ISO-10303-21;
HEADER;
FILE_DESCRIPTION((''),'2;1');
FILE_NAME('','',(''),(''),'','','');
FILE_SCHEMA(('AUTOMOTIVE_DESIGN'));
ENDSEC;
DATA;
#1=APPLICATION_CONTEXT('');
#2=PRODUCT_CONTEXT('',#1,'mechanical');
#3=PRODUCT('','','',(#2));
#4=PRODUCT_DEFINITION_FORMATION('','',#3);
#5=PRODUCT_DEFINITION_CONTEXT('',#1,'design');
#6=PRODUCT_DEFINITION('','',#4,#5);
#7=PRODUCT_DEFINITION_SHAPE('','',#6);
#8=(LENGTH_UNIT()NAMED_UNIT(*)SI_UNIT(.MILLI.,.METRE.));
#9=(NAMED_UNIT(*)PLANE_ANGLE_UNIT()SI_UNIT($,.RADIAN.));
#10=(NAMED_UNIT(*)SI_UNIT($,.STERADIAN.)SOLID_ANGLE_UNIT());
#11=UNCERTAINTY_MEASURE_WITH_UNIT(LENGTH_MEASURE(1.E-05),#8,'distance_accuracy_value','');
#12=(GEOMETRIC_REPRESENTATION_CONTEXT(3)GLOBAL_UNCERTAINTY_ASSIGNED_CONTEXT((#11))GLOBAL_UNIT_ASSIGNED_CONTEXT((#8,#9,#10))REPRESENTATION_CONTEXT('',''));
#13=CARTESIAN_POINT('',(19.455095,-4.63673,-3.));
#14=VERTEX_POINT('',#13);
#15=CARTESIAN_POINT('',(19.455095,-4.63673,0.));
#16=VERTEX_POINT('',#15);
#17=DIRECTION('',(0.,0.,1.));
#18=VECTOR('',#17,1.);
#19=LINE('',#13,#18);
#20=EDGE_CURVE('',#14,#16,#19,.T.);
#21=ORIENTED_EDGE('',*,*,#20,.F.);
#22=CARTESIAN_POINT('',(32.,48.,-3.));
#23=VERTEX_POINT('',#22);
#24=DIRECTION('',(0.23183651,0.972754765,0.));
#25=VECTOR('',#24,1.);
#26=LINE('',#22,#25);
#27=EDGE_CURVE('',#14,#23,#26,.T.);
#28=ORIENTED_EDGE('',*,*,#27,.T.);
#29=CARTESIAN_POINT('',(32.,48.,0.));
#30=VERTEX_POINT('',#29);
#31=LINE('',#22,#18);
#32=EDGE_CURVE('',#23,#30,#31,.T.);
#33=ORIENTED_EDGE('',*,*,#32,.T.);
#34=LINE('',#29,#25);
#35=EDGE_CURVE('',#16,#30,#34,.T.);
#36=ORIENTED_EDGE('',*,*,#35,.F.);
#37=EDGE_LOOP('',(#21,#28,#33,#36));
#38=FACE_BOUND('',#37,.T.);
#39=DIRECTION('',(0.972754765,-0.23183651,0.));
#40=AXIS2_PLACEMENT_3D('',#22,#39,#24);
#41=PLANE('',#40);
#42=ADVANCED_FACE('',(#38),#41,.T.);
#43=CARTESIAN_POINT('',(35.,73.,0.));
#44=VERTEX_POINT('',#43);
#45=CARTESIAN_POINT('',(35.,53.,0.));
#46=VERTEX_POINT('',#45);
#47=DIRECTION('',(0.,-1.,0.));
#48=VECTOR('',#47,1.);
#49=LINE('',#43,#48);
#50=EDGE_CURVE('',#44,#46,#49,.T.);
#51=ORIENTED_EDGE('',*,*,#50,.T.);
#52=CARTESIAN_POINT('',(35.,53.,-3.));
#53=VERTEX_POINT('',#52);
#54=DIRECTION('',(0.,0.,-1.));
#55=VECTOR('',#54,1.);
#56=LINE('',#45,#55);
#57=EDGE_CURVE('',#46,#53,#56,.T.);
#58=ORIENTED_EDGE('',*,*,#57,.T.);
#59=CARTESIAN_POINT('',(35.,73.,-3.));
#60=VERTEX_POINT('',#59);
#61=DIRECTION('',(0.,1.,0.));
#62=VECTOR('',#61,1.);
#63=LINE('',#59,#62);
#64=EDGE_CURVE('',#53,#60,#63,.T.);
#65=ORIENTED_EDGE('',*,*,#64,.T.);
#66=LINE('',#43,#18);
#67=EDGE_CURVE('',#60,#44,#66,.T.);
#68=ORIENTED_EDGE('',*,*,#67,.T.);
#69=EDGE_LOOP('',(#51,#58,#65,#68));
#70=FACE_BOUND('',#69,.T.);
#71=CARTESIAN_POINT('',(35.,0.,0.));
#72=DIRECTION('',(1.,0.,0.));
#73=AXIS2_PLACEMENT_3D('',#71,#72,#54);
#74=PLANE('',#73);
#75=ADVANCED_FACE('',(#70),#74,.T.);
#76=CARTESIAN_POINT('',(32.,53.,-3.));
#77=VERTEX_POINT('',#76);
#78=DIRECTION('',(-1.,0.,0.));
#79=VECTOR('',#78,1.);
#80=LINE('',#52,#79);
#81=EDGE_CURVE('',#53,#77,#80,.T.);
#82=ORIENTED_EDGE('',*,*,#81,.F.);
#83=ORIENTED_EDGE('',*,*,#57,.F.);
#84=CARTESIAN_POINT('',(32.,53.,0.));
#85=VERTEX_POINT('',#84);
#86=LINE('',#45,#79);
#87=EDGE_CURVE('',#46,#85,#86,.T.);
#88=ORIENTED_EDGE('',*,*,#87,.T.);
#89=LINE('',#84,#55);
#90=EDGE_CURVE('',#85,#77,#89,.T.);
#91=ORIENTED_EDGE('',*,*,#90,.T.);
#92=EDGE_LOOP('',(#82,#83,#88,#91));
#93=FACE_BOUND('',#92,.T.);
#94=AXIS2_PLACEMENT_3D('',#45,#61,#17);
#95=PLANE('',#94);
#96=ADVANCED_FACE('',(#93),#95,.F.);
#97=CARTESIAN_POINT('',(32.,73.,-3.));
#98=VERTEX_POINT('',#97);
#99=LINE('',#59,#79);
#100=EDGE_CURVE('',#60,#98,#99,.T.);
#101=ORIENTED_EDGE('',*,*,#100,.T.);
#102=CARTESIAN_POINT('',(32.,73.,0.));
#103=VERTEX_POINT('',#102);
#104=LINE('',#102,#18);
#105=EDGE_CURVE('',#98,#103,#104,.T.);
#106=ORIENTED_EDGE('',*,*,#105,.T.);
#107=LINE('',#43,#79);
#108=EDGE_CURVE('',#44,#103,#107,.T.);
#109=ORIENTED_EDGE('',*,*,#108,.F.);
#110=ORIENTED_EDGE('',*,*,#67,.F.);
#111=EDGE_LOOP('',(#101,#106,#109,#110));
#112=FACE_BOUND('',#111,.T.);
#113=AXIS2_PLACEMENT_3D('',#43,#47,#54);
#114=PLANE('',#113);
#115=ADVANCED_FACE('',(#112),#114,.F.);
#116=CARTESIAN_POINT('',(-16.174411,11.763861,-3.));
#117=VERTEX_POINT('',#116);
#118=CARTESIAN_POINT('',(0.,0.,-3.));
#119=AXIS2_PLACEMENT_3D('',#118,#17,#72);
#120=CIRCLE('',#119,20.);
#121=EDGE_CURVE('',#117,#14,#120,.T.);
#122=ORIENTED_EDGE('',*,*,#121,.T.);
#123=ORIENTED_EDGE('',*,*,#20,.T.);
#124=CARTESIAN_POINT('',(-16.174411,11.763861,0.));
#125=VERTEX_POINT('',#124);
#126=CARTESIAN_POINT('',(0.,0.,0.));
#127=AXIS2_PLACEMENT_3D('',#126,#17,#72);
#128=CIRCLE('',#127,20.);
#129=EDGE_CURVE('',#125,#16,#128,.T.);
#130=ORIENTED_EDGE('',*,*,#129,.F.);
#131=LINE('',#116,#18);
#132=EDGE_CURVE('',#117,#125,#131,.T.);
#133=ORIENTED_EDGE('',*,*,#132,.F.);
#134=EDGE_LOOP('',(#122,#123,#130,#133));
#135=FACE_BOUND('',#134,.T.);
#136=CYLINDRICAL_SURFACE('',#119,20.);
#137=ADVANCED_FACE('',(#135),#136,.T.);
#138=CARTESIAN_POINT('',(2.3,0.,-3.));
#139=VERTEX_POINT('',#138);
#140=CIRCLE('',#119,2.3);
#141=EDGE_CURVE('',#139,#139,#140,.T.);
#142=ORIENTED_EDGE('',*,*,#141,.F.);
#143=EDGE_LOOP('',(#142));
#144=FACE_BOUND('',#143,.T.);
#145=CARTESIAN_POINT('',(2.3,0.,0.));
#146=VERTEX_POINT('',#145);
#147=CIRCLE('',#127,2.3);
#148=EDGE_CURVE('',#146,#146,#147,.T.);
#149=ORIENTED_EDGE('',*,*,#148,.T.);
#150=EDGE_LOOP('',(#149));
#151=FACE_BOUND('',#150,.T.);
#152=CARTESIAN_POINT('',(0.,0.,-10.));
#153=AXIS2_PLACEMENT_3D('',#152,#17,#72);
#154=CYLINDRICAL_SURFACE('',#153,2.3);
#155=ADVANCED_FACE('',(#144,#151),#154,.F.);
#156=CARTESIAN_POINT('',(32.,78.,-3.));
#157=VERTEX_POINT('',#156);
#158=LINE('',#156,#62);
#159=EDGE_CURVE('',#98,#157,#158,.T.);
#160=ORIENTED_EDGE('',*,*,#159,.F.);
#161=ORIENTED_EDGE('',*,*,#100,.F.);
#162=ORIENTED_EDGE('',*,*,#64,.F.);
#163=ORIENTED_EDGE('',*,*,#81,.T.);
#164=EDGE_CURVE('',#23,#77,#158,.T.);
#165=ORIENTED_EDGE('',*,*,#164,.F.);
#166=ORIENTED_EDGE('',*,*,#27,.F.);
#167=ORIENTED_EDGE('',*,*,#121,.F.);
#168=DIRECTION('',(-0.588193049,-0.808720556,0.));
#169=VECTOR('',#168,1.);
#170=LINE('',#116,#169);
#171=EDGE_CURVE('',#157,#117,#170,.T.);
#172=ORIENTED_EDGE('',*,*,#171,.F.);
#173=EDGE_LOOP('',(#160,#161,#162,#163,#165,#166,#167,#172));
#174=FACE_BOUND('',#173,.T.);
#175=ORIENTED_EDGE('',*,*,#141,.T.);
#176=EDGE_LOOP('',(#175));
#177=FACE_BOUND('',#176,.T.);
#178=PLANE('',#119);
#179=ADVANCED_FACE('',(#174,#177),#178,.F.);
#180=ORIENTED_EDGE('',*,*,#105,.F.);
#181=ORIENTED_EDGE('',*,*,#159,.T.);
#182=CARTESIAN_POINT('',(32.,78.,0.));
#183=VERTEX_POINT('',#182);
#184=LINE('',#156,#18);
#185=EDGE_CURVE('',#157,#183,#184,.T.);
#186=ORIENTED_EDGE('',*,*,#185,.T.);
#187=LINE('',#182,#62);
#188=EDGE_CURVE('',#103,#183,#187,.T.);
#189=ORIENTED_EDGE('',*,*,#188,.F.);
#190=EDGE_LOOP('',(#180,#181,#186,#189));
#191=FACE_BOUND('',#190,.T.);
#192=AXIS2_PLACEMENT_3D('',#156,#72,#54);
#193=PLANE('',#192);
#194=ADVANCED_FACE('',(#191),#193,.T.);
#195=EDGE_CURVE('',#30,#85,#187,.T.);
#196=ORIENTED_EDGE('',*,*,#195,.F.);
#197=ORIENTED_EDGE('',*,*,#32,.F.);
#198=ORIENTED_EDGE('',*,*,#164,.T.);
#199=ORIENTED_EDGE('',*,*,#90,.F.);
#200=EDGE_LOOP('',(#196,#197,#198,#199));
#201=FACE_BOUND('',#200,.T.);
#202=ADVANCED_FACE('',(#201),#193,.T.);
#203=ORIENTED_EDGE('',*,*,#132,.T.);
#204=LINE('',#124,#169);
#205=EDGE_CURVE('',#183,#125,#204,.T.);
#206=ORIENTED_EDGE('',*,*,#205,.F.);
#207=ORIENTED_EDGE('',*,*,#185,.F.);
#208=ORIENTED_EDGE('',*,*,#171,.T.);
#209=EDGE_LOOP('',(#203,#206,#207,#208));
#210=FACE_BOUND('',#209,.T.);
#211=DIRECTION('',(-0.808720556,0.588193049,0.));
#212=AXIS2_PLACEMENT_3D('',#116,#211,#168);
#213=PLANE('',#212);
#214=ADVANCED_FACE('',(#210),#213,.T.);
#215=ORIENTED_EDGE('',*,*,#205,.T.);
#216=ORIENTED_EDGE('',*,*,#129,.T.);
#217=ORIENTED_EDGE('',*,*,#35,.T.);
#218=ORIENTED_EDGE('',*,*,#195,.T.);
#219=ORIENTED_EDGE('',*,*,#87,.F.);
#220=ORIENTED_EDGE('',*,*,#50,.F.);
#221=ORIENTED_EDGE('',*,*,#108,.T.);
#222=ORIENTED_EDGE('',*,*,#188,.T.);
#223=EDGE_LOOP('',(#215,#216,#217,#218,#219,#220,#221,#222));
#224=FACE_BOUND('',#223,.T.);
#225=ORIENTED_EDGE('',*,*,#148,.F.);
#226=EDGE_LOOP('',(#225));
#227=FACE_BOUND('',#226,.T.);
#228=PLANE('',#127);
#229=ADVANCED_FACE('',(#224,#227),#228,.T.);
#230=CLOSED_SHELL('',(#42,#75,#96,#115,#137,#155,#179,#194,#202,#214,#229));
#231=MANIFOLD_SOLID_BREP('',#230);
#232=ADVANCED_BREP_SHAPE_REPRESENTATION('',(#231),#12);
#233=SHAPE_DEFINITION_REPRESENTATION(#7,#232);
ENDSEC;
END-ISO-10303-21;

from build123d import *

# Parameters (mm, degrees)
BOSS_EXTRUDE1_DEPTH = 3
SKETCH2_R           = 2.3
CUT_EXTRUDE1_DEPTH  = 10
SKETCH4_W           = 3
SKETCH4_H           = 20
BOSS_EXTRUDE3_DEPTH = 3


with BuildPart() as part:
    # Sketch1 → Boss-Extrude1 (new body)
    with BuildSketch(Plane.XY):
        with BuildLine():
            Line((-16.174411119, 11.763860972), (32, 78))
            Line((32, 78), (32, 48))
            Line((32, 48), (19.455095298, -4.636730199))
            ThreePointArc((19.455095298, -4.636730199), (-8.362748941, -18.167675419), (-16.174411119, 11.763860972))
        make_face()
    extrude(amount=-BOSS_EXTRUDE1_DEPTH)

    # Sketch2 → Cut-Extrude1 (cut)
    with BuildSketch(Plane.XY):
        Circle(SKETCH2_R)
    extrude(amount=-CUT_EXTRUDE1_DEPTH, mode=Mode.SUBTRACT)

    # Sketch4 → Boss-Extrude3 (add)
    with BuildSketch(Plane(origin=(32, 0, 0), x_dir=(0, 0, -1), z_dir=(1, 0, 0))):
        with Locations((1.5, 63)):
            Rectangle(SKETCH4_W, SKETCH4_H)
    extrude(amount=BOSS_EXTRUDE3_DEPTH)


solid = part.part
